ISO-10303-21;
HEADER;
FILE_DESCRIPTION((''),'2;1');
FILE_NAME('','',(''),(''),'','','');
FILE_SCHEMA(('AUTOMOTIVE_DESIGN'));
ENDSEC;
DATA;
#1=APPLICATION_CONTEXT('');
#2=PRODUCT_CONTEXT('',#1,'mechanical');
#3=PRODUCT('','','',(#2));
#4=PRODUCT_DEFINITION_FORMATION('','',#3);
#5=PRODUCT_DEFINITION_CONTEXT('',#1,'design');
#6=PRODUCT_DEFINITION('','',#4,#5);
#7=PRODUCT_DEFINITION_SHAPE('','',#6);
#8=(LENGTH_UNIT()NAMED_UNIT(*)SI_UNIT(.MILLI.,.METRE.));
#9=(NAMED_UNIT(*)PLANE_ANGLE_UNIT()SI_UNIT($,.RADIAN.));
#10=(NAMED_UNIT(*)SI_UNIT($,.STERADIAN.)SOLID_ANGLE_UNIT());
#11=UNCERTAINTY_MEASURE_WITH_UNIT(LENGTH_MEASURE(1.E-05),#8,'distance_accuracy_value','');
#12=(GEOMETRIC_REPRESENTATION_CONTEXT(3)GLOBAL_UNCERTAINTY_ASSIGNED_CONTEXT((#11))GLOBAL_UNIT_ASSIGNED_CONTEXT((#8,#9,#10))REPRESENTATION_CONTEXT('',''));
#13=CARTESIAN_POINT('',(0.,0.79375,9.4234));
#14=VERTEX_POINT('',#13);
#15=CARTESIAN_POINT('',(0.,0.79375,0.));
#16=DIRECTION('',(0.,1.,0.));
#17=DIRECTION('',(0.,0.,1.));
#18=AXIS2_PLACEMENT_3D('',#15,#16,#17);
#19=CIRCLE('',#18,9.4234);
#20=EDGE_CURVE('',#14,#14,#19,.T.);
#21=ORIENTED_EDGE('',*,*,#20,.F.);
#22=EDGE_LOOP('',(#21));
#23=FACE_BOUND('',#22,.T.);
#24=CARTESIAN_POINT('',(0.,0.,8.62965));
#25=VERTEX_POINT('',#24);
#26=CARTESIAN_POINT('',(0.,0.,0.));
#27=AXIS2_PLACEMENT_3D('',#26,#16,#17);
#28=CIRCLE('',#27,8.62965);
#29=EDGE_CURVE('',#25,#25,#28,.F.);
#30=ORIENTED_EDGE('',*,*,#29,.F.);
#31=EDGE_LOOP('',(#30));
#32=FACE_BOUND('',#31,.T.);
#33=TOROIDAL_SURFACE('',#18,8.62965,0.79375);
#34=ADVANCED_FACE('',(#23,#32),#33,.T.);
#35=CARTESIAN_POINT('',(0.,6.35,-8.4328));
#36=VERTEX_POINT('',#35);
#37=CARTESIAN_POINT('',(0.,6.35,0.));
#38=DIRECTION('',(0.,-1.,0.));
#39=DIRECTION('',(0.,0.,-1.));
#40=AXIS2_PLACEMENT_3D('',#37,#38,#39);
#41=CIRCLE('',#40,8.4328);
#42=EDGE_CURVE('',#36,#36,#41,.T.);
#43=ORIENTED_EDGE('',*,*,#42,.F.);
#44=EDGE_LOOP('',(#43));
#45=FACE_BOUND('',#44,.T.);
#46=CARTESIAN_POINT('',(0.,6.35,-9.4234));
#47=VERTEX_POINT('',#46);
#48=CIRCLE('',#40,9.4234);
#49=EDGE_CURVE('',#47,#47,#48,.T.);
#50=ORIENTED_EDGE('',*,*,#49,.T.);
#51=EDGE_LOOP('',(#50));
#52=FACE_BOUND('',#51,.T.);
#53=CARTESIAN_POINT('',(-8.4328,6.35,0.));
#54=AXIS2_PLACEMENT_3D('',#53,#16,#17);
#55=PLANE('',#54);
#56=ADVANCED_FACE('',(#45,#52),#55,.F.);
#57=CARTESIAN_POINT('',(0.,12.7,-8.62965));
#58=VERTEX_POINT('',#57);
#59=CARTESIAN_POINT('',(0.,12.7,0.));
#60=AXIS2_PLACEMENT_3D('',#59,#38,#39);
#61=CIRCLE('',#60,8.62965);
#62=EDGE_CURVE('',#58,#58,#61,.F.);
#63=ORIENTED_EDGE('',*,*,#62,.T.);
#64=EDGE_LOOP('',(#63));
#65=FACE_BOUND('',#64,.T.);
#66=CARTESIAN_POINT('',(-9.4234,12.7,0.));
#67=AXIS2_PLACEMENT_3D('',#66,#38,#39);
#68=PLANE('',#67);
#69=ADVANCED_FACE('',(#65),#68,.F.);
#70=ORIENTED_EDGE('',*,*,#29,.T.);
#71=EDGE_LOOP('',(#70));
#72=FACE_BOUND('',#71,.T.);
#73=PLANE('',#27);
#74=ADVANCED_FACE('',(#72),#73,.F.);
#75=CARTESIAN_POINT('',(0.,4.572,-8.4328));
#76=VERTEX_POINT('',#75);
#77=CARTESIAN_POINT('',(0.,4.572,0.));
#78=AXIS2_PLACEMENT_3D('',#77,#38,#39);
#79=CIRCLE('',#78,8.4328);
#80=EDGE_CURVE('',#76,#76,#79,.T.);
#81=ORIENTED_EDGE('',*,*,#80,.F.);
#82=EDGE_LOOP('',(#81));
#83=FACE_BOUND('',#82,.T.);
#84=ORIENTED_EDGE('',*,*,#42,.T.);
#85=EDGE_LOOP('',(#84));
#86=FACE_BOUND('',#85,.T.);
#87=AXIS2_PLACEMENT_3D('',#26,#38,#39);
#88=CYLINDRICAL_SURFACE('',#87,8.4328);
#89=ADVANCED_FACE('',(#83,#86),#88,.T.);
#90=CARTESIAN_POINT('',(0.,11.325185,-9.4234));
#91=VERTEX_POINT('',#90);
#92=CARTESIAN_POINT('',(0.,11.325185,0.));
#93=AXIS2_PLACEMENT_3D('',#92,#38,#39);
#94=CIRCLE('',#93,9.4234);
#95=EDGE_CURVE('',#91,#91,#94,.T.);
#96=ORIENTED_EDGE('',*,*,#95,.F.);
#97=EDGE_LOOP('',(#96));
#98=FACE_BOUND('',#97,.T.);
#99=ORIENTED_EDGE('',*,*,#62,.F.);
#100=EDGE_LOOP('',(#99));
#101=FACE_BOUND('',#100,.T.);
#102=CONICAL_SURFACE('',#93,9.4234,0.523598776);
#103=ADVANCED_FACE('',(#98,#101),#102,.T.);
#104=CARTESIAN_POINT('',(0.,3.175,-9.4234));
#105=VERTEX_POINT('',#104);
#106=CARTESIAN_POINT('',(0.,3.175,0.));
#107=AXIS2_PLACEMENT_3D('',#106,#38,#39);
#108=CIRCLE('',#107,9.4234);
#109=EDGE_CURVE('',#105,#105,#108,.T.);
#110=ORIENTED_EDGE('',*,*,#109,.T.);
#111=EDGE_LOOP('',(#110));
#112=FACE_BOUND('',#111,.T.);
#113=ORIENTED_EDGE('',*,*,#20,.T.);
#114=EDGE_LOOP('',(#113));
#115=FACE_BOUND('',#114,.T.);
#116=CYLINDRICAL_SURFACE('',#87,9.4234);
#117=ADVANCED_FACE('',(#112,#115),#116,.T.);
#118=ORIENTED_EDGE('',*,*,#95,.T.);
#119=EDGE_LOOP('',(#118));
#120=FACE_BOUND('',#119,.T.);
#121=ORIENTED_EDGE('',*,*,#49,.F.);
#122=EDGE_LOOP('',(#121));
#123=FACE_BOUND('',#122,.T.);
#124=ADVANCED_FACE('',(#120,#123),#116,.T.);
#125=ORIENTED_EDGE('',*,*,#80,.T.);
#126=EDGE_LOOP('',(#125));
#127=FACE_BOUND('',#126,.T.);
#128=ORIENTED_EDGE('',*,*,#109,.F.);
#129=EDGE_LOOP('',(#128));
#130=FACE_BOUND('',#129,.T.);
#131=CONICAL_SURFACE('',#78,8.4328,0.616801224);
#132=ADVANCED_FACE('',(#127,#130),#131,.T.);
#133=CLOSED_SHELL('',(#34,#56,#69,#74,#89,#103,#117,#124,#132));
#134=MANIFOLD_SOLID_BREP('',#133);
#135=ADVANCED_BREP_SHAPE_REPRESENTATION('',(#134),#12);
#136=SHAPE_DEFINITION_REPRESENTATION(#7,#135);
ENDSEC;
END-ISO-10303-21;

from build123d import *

# Parameters (mm, degrees)
FILLET1_R      = 0.79375
CHAMFER1_SIZE  = 0.79375
CHAMFER1_SIZE2 = 1.374815329


with BuildPart() as part:
    # Sketch1 → Revolve1 (revolve)
    with BuildSketch(Plane.XY):
        Polygon((0, 0), (-9.4234, 0), (-9.4234, 3.175), (-8.4328, 4.572), (-8.4328, 6.35), (-9.4234, 6.35), (-9.4234, 12.7), (0, 12.7), align=None)
    revolve(axis=Axis((0, 0, 0), (0, 1, 0)))

    # Fillet1
    fillet1_edges = [part.edges().sort_by_distance(p)[0] for p in [
        (9.4234, 0, 0),
    ]]
    fillet(fillet1_edges, radius=FILLET1_R)

    # Chamfer1
    chamfer1_edges = [part.edges().sort_by_distance(p)[0] for p in [
        (9.4234, 12.7, 0),
    ]]
    chamfer1_side = [part.faces().sort_by_distance(p)[0] for p in [
        (0, 12.7, 0),
    ]]
    chamfer(chamfer1_edges, length=CHAMFER1_SIZE, length2=CHAMFER1_SIZE2, reference=chamfer1_side[0])


solid = part.part
